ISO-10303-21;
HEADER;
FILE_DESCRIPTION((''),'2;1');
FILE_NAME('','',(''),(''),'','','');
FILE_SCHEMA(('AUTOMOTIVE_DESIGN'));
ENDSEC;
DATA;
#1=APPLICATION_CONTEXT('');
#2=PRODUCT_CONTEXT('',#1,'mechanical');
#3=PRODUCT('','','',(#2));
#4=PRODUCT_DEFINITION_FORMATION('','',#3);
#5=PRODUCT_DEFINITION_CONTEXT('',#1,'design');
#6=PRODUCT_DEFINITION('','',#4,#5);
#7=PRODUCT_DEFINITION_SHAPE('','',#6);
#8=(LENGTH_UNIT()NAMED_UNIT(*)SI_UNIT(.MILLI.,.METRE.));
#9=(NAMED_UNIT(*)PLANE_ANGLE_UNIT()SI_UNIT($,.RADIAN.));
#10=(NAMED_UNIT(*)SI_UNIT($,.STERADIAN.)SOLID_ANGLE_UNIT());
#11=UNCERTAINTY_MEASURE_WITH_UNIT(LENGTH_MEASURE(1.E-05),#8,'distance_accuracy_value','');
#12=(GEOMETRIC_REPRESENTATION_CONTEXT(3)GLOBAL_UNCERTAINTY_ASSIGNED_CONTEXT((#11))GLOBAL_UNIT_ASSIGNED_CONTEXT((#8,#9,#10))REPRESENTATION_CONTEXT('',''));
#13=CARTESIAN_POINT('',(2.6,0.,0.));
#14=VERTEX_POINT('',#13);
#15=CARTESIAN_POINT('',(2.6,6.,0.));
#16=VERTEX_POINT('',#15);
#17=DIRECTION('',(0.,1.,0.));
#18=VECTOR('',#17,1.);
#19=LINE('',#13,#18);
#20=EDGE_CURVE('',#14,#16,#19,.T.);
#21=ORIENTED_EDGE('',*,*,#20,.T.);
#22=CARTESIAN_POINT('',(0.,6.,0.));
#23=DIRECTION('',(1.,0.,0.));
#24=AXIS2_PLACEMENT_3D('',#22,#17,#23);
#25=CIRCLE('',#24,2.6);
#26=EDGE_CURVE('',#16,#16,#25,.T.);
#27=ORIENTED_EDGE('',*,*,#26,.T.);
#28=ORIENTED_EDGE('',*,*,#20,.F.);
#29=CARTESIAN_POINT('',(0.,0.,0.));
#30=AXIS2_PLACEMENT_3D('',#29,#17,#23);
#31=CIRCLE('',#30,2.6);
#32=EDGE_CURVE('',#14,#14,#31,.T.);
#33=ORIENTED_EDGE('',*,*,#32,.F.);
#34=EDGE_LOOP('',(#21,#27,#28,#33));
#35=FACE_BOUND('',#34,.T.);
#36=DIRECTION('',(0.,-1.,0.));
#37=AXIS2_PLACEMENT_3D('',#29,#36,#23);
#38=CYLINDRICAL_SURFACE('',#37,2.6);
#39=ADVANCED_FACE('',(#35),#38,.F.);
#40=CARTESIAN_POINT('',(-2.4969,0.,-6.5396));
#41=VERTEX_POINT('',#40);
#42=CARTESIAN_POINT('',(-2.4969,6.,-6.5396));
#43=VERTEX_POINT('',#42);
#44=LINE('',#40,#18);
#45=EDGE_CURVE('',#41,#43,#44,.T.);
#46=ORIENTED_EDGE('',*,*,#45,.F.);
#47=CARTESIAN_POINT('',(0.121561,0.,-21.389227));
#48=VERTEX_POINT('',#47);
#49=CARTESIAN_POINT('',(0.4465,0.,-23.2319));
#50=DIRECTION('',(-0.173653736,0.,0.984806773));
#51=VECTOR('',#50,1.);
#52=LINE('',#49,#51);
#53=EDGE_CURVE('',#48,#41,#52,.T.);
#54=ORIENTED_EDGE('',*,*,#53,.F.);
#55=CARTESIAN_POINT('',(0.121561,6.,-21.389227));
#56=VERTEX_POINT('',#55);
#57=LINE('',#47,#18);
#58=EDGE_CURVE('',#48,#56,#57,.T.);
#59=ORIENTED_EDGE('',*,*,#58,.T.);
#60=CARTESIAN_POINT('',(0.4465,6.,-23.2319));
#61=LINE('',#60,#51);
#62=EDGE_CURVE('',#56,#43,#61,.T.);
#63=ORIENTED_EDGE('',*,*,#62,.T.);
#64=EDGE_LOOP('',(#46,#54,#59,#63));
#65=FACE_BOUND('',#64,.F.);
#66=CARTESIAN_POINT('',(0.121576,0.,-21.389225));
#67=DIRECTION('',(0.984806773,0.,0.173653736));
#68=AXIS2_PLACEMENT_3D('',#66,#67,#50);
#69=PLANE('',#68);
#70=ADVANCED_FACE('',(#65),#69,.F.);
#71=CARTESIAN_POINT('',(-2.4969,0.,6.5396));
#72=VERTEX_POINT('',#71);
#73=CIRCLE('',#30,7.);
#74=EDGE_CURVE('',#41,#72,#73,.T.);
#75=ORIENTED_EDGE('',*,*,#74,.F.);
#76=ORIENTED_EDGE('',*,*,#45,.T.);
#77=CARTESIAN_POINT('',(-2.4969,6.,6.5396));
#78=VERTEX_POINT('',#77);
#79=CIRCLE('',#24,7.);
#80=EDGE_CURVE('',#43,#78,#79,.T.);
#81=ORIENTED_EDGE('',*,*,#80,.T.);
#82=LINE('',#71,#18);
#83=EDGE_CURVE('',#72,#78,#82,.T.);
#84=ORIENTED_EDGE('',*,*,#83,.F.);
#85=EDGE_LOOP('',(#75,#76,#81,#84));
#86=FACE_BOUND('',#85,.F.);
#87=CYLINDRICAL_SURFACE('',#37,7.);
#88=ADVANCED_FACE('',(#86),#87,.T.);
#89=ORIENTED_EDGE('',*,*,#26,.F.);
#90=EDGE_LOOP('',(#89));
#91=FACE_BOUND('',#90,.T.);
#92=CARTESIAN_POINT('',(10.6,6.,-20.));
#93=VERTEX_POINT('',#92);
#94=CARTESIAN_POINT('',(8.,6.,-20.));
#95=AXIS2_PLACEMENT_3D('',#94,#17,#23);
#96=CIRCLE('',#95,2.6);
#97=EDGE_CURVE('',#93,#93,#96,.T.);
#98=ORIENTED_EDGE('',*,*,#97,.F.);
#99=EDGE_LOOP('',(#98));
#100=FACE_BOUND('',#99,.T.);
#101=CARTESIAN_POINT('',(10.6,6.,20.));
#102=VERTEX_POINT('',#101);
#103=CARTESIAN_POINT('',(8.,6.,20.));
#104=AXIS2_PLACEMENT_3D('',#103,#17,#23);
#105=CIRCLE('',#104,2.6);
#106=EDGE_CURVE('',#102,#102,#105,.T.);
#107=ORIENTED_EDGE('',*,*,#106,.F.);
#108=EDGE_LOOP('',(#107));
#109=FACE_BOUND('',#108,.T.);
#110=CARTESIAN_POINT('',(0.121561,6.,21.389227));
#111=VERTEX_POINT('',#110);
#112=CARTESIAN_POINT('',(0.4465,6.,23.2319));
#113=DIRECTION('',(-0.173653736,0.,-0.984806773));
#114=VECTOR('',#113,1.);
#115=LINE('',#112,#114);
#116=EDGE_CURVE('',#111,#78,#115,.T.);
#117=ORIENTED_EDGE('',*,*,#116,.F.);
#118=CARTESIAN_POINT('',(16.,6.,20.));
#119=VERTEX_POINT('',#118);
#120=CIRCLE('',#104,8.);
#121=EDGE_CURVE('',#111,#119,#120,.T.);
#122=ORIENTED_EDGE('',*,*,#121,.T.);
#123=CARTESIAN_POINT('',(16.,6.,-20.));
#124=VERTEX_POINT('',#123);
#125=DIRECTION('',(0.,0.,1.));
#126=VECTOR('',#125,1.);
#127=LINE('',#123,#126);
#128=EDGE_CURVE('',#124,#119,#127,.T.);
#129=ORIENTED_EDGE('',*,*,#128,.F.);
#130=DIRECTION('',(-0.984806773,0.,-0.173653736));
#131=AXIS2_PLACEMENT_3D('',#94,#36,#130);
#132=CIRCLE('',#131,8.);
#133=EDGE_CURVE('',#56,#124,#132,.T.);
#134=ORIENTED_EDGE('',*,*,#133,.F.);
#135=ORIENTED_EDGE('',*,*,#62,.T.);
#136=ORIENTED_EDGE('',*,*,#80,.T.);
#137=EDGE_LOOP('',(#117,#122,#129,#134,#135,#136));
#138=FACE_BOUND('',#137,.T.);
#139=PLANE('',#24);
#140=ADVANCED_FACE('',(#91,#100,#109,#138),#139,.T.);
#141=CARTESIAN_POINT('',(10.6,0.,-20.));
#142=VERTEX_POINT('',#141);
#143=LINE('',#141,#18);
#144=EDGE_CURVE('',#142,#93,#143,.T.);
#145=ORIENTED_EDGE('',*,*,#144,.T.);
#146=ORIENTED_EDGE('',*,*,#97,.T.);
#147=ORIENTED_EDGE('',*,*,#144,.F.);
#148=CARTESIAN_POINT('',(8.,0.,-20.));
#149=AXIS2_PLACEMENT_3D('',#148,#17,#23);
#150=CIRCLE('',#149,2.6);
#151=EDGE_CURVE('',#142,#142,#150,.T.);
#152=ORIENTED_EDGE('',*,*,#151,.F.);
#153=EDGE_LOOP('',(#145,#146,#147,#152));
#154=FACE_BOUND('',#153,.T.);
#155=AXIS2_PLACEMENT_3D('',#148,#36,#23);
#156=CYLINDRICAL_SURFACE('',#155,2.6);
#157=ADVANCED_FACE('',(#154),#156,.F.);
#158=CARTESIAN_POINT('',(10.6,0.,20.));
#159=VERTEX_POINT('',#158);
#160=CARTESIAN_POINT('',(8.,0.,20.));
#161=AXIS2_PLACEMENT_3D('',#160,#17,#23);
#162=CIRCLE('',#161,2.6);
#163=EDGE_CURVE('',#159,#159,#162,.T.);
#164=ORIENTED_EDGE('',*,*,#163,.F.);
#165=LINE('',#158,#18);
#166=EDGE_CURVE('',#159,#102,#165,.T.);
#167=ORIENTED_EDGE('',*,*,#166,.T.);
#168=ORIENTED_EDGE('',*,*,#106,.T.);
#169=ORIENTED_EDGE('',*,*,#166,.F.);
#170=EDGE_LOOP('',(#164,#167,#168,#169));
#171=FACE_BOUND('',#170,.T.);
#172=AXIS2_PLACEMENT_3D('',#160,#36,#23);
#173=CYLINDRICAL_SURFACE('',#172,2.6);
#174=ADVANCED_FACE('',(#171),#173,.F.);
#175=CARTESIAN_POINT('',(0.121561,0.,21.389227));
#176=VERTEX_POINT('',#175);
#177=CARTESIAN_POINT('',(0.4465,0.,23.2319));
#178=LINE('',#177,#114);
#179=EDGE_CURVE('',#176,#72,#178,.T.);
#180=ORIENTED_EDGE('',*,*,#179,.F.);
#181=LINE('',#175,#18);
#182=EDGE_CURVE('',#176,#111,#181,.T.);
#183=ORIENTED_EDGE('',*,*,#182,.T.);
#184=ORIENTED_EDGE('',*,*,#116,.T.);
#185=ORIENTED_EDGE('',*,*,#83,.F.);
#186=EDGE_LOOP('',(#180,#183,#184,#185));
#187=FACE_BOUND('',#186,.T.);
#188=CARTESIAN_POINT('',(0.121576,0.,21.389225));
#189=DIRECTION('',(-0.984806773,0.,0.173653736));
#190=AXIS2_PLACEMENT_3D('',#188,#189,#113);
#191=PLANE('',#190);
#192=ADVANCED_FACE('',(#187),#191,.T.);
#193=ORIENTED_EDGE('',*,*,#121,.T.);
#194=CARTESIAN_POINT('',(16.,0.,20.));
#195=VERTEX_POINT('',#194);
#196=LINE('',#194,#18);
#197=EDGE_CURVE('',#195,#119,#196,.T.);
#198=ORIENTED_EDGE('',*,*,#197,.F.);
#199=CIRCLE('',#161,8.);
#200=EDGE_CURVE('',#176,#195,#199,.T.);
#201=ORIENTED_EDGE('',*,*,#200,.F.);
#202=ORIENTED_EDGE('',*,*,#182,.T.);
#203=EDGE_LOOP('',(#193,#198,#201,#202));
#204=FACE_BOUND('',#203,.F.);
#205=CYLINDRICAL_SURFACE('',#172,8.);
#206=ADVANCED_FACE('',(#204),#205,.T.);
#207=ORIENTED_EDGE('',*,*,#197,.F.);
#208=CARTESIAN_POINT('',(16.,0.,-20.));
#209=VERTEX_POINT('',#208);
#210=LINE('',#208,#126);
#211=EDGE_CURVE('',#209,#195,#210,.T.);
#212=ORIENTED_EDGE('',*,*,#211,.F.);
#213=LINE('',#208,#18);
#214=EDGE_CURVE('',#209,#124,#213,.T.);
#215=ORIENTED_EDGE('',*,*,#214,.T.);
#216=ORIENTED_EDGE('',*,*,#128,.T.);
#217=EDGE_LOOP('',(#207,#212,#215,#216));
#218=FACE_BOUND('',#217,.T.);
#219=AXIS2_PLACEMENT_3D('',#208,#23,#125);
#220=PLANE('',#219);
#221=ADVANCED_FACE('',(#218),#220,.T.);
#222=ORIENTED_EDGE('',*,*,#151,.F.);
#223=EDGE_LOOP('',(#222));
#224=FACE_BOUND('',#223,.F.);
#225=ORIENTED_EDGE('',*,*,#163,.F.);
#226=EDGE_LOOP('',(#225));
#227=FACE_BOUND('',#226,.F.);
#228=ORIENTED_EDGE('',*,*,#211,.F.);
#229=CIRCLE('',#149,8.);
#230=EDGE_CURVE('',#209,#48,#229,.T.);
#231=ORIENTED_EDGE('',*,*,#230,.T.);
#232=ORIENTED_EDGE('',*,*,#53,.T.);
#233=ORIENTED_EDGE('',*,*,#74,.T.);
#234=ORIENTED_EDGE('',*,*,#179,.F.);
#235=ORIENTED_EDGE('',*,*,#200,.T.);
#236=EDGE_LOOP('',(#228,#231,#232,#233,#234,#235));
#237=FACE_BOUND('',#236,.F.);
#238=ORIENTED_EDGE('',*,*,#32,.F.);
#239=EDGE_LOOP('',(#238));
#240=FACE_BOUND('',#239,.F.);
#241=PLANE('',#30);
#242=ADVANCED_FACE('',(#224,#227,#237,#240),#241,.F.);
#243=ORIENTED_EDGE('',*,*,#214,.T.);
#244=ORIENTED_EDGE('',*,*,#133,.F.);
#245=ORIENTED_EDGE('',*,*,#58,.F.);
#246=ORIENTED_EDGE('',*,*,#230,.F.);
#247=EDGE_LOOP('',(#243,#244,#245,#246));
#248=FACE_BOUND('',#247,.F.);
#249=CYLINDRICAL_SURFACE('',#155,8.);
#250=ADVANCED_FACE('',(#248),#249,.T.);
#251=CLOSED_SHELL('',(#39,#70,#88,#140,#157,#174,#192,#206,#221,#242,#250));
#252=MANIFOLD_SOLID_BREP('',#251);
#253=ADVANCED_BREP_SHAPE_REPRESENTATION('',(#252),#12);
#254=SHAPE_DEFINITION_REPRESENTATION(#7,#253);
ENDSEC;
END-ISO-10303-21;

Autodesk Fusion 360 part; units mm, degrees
sketch "Sketch1" plane through (0, 0, 0) normal (0, 1, 0) x (1, 0, 0)
  line L0 (0, 0) -> (0, -20) construction
  circle A0 centre (0, 0) radius 2.6
  circle A1 centre (8, -20) radius 2.6
  line L1 (0, -20) -> (8, -20) construction
  line L2 (0, 0) -> (18.1281, 0) construction
  circle A2 centre (8, 20) radius 2.6
  circle A3 centre (8, 20) radius 8
  circle A4 centre (0, 0) radius 7
  circle A5 centre (8, -20) radius 8
  line L3 (16, 20) -> (16, -20)
  line L4 (0.4465, 22.6352) -> (0.4465, 23.2319)
  line L5 (0.4465, 23.2319) -> (-2.4969, 6.5396)
  line L6 (0.4465, -23.2319) -> (-2.4969, -6.5396)
  dimension "d1" = 5.2
  dimension "d2" = 8
  dimension "d3" = 20
  dimension "d4" = 16
  dimension "d5" = 14
  dimension "d8" = 10
extrude "Extrude1" add sketch "Sketch1" along normal blind 6 contours A3 | A3 A4 A5 L3 L5 L6 | A5 | A4
